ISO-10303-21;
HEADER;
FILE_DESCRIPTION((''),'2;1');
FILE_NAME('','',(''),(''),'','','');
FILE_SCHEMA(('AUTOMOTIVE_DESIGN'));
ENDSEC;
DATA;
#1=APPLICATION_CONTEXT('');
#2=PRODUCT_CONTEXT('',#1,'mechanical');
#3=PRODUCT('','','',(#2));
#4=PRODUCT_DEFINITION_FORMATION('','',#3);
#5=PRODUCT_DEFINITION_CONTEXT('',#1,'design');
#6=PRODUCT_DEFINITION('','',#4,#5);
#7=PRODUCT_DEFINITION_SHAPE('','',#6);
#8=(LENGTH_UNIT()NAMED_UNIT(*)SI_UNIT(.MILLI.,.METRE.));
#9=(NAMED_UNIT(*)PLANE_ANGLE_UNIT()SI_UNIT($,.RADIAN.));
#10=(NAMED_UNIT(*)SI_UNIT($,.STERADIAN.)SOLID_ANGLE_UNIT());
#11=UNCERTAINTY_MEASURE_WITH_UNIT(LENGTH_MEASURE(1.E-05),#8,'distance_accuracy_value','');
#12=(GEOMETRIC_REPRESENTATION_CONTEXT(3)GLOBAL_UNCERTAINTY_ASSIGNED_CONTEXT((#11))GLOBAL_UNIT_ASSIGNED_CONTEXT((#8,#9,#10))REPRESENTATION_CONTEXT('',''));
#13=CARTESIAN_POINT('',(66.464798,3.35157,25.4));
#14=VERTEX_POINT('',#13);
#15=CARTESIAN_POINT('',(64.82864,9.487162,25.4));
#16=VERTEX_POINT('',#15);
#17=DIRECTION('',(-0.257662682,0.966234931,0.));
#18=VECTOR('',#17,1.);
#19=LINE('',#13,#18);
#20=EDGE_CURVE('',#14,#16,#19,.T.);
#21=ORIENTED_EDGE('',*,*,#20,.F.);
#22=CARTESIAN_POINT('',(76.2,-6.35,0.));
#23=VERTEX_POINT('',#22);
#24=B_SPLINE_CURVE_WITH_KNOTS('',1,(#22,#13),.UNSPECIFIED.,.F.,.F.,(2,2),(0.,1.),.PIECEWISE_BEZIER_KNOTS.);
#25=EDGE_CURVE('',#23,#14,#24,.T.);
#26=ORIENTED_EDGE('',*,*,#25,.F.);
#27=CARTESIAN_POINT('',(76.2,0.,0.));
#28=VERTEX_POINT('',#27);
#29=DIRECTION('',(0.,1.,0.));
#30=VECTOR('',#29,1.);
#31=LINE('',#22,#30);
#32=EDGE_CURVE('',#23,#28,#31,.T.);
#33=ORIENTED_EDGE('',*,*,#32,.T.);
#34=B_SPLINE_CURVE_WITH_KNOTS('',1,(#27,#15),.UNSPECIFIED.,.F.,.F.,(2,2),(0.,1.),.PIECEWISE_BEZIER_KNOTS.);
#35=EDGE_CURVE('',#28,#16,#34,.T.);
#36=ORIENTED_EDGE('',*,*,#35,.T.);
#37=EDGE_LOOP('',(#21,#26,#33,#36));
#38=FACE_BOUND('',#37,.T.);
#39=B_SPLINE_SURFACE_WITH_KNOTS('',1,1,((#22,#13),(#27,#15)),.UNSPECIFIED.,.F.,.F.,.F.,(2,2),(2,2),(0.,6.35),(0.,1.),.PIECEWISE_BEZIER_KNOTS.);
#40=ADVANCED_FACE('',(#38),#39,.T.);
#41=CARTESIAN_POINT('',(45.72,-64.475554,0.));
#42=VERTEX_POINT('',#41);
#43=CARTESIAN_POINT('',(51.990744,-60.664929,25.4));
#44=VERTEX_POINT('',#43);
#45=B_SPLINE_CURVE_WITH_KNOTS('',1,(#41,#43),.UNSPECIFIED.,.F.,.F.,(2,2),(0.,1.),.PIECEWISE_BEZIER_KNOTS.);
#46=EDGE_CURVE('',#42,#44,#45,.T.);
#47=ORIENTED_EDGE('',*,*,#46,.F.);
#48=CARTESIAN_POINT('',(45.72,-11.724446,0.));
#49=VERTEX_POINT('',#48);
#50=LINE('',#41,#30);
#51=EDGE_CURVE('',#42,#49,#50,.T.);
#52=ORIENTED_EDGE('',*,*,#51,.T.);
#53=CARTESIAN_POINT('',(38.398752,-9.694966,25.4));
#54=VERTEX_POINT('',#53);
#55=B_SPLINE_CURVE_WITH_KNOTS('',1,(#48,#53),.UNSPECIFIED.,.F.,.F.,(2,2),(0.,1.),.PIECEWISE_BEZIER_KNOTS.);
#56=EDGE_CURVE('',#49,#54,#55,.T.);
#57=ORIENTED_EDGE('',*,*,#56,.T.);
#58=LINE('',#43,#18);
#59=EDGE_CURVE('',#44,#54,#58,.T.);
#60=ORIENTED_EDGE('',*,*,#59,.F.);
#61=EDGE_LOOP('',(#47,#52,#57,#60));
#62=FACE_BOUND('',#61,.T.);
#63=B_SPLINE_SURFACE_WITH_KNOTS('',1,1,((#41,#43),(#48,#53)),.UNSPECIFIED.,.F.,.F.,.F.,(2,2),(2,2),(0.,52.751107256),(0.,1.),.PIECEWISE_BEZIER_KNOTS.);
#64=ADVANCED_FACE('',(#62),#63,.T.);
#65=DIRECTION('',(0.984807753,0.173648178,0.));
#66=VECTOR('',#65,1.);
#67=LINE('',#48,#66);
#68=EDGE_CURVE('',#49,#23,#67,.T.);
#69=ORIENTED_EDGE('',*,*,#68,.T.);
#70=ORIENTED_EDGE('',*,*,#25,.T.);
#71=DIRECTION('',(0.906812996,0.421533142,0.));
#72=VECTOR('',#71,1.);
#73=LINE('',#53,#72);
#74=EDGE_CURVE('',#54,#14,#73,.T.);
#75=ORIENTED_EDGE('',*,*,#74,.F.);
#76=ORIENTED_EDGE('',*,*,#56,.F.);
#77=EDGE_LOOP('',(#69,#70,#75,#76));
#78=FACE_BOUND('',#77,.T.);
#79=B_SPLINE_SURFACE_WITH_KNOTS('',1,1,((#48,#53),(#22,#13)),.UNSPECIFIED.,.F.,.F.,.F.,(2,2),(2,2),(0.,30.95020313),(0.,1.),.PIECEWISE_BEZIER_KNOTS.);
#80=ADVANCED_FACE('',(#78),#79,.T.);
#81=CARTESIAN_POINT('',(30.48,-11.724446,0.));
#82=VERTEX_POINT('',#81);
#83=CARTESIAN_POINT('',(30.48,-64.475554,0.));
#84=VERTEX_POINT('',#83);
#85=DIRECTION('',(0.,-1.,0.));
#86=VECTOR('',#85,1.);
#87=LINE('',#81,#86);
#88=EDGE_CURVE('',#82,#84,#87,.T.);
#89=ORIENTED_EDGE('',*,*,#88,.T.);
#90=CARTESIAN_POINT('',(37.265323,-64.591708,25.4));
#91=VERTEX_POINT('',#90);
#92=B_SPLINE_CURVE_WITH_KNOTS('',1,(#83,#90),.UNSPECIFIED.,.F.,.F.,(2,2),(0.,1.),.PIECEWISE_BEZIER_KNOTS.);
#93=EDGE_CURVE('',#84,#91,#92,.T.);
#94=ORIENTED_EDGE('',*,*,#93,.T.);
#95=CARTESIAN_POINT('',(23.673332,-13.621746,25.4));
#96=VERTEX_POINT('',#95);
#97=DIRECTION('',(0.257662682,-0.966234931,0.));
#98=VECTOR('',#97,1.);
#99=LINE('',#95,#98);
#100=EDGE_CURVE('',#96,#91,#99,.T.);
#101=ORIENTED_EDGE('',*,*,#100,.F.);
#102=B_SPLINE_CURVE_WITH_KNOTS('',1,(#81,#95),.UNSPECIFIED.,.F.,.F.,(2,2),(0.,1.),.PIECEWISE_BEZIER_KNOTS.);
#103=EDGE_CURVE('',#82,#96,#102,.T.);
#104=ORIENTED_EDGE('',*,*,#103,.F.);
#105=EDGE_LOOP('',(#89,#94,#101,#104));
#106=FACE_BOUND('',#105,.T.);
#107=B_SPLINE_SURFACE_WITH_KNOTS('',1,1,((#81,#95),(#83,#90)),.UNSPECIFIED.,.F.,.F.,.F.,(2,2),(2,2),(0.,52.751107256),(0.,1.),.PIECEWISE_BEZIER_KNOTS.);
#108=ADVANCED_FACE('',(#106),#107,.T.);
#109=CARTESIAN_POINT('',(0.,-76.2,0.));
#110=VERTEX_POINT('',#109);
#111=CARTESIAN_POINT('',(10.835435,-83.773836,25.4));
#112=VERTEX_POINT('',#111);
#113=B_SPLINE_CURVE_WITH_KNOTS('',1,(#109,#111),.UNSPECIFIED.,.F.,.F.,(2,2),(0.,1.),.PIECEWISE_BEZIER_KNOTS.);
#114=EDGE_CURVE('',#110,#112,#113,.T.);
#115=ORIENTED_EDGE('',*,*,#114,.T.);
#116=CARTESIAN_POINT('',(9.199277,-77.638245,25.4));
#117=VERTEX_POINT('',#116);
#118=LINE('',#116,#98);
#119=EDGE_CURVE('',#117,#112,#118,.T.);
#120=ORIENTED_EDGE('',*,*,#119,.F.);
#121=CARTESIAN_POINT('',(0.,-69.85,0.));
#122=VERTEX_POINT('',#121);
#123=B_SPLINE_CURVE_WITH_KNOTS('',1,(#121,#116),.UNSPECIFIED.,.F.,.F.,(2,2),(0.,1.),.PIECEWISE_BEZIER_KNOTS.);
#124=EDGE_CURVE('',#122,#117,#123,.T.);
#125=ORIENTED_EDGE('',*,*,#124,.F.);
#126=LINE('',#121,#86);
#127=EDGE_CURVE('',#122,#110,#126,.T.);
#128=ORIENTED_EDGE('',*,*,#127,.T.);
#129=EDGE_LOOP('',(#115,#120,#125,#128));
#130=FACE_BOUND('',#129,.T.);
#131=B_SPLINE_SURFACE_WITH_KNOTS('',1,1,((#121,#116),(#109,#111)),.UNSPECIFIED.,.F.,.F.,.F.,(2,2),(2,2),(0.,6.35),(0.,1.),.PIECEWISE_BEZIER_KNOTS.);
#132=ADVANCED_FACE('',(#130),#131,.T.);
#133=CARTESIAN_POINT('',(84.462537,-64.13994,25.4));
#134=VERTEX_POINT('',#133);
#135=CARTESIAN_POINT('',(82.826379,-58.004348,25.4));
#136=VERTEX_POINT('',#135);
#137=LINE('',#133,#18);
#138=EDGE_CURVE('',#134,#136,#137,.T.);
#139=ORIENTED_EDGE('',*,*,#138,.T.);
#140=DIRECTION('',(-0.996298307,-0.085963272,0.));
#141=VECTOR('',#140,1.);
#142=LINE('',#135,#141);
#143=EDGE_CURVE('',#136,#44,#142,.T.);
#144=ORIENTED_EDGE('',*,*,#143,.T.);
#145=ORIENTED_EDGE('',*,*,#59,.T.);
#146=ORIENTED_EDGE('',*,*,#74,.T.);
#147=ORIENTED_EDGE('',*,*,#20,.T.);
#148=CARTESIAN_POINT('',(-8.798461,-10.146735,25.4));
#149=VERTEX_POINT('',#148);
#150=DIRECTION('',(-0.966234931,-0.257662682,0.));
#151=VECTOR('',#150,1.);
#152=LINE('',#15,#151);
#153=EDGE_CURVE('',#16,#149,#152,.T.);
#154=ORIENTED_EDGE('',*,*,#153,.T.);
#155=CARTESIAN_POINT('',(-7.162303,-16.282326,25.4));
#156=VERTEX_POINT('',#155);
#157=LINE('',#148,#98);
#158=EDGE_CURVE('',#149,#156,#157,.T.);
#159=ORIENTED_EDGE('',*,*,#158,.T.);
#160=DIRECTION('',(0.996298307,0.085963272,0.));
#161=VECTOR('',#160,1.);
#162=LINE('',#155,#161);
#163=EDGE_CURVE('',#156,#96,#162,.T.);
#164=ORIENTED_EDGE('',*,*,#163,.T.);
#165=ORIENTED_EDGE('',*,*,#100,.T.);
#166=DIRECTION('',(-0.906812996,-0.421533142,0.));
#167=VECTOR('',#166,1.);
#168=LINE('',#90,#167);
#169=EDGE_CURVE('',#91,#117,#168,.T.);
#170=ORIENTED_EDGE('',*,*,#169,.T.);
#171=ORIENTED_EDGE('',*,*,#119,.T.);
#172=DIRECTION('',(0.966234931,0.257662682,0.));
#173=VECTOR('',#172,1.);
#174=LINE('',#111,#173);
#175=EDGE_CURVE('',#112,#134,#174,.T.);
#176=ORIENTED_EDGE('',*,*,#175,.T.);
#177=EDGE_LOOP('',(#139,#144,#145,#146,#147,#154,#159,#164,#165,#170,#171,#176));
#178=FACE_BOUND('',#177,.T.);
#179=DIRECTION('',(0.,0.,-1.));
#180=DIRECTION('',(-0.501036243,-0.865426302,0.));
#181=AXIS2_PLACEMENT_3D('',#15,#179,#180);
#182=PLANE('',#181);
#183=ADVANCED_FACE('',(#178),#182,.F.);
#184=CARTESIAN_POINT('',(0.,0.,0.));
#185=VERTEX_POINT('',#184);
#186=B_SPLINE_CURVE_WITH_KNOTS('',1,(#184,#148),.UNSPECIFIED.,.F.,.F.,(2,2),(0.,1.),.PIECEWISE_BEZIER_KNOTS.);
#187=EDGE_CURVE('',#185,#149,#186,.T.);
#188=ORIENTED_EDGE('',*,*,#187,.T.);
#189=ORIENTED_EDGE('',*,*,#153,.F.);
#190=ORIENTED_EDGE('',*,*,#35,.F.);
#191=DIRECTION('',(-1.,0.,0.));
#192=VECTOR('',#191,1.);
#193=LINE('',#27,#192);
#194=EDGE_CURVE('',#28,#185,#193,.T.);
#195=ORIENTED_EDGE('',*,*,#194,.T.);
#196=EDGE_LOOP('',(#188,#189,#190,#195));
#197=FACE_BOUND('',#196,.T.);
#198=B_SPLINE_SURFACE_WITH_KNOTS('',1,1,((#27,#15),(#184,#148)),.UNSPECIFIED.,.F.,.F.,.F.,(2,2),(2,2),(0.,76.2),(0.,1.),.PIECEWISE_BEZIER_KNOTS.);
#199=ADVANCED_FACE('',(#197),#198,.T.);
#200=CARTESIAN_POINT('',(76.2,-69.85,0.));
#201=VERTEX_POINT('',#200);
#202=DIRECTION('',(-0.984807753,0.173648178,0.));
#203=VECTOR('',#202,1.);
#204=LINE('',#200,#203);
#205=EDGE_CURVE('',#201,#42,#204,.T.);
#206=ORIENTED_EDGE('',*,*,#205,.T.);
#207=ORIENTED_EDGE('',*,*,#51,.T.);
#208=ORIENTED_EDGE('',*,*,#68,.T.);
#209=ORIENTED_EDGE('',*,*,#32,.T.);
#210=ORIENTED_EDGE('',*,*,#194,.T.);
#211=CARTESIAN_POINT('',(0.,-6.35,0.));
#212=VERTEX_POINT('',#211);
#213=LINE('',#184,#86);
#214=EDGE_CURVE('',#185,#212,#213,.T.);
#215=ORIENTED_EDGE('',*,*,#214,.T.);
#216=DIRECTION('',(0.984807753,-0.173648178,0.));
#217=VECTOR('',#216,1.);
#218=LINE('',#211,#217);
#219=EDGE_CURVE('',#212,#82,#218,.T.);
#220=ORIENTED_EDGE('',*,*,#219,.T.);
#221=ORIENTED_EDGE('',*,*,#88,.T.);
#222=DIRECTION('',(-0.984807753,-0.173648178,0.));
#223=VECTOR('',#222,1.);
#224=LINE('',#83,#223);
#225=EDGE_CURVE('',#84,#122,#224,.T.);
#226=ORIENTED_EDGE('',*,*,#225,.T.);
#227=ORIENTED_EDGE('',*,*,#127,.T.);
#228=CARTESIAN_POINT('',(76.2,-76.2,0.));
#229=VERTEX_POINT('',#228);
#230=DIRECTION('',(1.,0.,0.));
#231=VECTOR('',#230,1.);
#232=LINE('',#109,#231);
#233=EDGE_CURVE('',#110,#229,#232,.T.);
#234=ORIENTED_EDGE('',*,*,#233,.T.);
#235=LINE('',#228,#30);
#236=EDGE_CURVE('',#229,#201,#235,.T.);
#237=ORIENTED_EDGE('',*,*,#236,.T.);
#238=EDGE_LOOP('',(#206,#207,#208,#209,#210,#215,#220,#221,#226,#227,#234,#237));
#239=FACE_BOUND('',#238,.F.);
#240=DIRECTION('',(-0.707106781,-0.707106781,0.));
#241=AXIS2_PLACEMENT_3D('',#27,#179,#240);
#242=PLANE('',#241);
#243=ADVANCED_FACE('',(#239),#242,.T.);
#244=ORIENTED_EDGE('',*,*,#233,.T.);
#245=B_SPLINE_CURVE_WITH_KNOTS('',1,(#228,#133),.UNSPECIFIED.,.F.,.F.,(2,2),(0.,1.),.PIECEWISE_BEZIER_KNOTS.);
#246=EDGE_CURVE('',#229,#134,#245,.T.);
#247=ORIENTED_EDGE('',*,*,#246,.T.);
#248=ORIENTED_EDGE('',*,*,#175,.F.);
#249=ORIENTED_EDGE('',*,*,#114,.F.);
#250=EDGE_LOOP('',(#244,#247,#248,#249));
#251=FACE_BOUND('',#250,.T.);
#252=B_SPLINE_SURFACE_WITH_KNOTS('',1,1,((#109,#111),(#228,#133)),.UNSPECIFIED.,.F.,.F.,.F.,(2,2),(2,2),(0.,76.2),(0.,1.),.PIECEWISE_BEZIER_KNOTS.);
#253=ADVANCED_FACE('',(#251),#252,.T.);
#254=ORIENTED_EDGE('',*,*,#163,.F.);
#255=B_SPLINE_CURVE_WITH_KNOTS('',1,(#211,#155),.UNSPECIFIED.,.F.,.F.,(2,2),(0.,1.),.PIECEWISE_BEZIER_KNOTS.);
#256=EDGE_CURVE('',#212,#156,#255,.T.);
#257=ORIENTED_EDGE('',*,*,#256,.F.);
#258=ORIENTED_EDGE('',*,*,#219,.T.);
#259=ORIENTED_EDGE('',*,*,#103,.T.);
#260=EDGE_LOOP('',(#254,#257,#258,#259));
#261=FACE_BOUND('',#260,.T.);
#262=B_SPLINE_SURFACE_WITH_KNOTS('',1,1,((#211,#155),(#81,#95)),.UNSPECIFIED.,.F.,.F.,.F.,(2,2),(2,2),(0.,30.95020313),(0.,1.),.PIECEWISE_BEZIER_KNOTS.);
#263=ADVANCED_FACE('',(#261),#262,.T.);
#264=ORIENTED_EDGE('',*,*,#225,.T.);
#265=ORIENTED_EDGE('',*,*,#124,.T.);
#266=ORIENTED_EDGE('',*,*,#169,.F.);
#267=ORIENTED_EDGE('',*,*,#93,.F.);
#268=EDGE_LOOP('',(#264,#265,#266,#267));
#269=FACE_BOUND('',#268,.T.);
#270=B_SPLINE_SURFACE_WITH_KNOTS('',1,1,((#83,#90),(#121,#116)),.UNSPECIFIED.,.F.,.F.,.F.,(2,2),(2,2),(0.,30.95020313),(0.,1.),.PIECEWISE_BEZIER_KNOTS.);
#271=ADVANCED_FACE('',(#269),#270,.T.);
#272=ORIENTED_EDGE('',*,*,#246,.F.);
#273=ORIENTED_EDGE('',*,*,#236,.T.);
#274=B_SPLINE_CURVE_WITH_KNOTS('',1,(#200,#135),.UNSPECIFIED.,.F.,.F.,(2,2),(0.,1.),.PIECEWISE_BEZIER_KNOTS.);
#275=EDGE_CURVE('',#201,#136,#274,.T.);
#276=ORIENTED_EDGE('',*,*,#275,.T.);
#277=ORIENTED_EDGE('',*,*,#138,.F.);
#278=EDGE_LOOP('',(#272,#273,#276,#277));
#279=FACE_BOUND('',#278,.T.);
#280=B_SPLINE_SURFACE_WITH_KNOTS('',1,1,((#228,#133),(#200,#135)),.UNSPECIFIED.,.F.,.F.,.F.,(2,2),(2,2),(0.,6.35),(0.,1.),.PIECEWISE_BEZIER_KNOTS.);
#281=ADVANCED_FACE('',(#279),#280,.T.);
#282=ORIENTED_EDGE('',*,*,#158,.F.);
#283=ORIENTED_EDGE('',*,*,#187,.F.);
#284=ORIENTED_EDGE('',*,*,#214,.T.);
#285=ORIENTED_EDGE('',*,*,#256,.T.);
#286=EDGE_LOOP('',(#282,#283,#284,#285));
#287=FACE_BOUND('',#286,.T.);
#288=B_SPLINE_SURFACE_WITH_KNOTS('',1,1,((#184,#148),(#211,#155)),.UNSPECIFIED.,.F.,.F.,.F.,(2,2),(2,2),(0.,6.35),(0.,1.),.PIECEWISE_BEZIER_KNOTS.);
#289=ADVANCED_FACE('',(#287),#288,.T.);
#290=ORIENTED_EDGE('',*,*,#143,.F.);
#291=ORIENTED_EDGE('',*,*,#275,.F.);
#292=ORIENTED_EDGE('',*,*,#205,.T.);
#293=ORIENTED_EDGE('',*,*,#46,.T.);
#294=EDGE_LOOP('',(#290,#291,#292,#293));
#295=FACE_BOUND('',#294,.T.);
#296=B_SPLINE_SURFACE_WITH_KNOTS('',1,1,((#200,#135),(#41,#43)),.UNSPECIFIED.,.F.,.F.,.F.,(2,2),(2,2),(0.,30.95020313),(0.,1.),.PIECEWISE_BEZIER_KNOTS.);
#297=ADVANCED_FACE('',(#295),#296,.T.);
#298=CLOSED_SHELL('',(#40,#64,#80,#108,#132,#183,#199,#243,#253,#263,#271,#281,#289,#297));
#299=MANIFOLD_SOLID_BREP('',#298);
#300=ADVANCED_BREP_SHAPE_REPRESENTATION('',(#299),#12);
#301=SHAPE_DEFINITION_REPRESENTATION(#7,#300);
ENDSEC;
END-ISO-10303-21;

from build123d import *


with BuildPart() as f3:
    # F0 (on Top) → F3 section 0
    with BuildSketch(Plane.XY):
        Polygon((76.2, 0), (38.1, 0), (0, 0), (0, -6.35), (30.48, -11.724446372), (30.48, -64.475553628), (0, -69.85), (0, -76.2), (38.1, -76.2), (76.2, -76.2), (76.2, -69.85), (45.72, -64.475553628), (45.72, -11.724446372), (76.2, -6.35), align=None)
    # F2 (on offset) → F3 section 1
    with BuildSketch(Plane.XY.offset(25.4)):
        Polygon((28.0150895138, -0.3297863845), (-8.7984613693, -10.1467345546), (-7.162303341, -16.2823263685), (23.67333163, -13.6217456535), (37.2653233846, -64.5917081499), (9.1992769425, -77.6382445071), (10.8354349709, -83.7738363209), (47.648985854, -73.9568881508), (84.4625367372, -64.1399399807), (82.8263787088, -58.0043481669), (51.9907437378, -60.6649288818), (38.3987519833, -9.6949663855), (66.4647984253, 3.3515699717), (64.828640397, 9.4871617856), align=None)
    loft()


solid = f3.part
